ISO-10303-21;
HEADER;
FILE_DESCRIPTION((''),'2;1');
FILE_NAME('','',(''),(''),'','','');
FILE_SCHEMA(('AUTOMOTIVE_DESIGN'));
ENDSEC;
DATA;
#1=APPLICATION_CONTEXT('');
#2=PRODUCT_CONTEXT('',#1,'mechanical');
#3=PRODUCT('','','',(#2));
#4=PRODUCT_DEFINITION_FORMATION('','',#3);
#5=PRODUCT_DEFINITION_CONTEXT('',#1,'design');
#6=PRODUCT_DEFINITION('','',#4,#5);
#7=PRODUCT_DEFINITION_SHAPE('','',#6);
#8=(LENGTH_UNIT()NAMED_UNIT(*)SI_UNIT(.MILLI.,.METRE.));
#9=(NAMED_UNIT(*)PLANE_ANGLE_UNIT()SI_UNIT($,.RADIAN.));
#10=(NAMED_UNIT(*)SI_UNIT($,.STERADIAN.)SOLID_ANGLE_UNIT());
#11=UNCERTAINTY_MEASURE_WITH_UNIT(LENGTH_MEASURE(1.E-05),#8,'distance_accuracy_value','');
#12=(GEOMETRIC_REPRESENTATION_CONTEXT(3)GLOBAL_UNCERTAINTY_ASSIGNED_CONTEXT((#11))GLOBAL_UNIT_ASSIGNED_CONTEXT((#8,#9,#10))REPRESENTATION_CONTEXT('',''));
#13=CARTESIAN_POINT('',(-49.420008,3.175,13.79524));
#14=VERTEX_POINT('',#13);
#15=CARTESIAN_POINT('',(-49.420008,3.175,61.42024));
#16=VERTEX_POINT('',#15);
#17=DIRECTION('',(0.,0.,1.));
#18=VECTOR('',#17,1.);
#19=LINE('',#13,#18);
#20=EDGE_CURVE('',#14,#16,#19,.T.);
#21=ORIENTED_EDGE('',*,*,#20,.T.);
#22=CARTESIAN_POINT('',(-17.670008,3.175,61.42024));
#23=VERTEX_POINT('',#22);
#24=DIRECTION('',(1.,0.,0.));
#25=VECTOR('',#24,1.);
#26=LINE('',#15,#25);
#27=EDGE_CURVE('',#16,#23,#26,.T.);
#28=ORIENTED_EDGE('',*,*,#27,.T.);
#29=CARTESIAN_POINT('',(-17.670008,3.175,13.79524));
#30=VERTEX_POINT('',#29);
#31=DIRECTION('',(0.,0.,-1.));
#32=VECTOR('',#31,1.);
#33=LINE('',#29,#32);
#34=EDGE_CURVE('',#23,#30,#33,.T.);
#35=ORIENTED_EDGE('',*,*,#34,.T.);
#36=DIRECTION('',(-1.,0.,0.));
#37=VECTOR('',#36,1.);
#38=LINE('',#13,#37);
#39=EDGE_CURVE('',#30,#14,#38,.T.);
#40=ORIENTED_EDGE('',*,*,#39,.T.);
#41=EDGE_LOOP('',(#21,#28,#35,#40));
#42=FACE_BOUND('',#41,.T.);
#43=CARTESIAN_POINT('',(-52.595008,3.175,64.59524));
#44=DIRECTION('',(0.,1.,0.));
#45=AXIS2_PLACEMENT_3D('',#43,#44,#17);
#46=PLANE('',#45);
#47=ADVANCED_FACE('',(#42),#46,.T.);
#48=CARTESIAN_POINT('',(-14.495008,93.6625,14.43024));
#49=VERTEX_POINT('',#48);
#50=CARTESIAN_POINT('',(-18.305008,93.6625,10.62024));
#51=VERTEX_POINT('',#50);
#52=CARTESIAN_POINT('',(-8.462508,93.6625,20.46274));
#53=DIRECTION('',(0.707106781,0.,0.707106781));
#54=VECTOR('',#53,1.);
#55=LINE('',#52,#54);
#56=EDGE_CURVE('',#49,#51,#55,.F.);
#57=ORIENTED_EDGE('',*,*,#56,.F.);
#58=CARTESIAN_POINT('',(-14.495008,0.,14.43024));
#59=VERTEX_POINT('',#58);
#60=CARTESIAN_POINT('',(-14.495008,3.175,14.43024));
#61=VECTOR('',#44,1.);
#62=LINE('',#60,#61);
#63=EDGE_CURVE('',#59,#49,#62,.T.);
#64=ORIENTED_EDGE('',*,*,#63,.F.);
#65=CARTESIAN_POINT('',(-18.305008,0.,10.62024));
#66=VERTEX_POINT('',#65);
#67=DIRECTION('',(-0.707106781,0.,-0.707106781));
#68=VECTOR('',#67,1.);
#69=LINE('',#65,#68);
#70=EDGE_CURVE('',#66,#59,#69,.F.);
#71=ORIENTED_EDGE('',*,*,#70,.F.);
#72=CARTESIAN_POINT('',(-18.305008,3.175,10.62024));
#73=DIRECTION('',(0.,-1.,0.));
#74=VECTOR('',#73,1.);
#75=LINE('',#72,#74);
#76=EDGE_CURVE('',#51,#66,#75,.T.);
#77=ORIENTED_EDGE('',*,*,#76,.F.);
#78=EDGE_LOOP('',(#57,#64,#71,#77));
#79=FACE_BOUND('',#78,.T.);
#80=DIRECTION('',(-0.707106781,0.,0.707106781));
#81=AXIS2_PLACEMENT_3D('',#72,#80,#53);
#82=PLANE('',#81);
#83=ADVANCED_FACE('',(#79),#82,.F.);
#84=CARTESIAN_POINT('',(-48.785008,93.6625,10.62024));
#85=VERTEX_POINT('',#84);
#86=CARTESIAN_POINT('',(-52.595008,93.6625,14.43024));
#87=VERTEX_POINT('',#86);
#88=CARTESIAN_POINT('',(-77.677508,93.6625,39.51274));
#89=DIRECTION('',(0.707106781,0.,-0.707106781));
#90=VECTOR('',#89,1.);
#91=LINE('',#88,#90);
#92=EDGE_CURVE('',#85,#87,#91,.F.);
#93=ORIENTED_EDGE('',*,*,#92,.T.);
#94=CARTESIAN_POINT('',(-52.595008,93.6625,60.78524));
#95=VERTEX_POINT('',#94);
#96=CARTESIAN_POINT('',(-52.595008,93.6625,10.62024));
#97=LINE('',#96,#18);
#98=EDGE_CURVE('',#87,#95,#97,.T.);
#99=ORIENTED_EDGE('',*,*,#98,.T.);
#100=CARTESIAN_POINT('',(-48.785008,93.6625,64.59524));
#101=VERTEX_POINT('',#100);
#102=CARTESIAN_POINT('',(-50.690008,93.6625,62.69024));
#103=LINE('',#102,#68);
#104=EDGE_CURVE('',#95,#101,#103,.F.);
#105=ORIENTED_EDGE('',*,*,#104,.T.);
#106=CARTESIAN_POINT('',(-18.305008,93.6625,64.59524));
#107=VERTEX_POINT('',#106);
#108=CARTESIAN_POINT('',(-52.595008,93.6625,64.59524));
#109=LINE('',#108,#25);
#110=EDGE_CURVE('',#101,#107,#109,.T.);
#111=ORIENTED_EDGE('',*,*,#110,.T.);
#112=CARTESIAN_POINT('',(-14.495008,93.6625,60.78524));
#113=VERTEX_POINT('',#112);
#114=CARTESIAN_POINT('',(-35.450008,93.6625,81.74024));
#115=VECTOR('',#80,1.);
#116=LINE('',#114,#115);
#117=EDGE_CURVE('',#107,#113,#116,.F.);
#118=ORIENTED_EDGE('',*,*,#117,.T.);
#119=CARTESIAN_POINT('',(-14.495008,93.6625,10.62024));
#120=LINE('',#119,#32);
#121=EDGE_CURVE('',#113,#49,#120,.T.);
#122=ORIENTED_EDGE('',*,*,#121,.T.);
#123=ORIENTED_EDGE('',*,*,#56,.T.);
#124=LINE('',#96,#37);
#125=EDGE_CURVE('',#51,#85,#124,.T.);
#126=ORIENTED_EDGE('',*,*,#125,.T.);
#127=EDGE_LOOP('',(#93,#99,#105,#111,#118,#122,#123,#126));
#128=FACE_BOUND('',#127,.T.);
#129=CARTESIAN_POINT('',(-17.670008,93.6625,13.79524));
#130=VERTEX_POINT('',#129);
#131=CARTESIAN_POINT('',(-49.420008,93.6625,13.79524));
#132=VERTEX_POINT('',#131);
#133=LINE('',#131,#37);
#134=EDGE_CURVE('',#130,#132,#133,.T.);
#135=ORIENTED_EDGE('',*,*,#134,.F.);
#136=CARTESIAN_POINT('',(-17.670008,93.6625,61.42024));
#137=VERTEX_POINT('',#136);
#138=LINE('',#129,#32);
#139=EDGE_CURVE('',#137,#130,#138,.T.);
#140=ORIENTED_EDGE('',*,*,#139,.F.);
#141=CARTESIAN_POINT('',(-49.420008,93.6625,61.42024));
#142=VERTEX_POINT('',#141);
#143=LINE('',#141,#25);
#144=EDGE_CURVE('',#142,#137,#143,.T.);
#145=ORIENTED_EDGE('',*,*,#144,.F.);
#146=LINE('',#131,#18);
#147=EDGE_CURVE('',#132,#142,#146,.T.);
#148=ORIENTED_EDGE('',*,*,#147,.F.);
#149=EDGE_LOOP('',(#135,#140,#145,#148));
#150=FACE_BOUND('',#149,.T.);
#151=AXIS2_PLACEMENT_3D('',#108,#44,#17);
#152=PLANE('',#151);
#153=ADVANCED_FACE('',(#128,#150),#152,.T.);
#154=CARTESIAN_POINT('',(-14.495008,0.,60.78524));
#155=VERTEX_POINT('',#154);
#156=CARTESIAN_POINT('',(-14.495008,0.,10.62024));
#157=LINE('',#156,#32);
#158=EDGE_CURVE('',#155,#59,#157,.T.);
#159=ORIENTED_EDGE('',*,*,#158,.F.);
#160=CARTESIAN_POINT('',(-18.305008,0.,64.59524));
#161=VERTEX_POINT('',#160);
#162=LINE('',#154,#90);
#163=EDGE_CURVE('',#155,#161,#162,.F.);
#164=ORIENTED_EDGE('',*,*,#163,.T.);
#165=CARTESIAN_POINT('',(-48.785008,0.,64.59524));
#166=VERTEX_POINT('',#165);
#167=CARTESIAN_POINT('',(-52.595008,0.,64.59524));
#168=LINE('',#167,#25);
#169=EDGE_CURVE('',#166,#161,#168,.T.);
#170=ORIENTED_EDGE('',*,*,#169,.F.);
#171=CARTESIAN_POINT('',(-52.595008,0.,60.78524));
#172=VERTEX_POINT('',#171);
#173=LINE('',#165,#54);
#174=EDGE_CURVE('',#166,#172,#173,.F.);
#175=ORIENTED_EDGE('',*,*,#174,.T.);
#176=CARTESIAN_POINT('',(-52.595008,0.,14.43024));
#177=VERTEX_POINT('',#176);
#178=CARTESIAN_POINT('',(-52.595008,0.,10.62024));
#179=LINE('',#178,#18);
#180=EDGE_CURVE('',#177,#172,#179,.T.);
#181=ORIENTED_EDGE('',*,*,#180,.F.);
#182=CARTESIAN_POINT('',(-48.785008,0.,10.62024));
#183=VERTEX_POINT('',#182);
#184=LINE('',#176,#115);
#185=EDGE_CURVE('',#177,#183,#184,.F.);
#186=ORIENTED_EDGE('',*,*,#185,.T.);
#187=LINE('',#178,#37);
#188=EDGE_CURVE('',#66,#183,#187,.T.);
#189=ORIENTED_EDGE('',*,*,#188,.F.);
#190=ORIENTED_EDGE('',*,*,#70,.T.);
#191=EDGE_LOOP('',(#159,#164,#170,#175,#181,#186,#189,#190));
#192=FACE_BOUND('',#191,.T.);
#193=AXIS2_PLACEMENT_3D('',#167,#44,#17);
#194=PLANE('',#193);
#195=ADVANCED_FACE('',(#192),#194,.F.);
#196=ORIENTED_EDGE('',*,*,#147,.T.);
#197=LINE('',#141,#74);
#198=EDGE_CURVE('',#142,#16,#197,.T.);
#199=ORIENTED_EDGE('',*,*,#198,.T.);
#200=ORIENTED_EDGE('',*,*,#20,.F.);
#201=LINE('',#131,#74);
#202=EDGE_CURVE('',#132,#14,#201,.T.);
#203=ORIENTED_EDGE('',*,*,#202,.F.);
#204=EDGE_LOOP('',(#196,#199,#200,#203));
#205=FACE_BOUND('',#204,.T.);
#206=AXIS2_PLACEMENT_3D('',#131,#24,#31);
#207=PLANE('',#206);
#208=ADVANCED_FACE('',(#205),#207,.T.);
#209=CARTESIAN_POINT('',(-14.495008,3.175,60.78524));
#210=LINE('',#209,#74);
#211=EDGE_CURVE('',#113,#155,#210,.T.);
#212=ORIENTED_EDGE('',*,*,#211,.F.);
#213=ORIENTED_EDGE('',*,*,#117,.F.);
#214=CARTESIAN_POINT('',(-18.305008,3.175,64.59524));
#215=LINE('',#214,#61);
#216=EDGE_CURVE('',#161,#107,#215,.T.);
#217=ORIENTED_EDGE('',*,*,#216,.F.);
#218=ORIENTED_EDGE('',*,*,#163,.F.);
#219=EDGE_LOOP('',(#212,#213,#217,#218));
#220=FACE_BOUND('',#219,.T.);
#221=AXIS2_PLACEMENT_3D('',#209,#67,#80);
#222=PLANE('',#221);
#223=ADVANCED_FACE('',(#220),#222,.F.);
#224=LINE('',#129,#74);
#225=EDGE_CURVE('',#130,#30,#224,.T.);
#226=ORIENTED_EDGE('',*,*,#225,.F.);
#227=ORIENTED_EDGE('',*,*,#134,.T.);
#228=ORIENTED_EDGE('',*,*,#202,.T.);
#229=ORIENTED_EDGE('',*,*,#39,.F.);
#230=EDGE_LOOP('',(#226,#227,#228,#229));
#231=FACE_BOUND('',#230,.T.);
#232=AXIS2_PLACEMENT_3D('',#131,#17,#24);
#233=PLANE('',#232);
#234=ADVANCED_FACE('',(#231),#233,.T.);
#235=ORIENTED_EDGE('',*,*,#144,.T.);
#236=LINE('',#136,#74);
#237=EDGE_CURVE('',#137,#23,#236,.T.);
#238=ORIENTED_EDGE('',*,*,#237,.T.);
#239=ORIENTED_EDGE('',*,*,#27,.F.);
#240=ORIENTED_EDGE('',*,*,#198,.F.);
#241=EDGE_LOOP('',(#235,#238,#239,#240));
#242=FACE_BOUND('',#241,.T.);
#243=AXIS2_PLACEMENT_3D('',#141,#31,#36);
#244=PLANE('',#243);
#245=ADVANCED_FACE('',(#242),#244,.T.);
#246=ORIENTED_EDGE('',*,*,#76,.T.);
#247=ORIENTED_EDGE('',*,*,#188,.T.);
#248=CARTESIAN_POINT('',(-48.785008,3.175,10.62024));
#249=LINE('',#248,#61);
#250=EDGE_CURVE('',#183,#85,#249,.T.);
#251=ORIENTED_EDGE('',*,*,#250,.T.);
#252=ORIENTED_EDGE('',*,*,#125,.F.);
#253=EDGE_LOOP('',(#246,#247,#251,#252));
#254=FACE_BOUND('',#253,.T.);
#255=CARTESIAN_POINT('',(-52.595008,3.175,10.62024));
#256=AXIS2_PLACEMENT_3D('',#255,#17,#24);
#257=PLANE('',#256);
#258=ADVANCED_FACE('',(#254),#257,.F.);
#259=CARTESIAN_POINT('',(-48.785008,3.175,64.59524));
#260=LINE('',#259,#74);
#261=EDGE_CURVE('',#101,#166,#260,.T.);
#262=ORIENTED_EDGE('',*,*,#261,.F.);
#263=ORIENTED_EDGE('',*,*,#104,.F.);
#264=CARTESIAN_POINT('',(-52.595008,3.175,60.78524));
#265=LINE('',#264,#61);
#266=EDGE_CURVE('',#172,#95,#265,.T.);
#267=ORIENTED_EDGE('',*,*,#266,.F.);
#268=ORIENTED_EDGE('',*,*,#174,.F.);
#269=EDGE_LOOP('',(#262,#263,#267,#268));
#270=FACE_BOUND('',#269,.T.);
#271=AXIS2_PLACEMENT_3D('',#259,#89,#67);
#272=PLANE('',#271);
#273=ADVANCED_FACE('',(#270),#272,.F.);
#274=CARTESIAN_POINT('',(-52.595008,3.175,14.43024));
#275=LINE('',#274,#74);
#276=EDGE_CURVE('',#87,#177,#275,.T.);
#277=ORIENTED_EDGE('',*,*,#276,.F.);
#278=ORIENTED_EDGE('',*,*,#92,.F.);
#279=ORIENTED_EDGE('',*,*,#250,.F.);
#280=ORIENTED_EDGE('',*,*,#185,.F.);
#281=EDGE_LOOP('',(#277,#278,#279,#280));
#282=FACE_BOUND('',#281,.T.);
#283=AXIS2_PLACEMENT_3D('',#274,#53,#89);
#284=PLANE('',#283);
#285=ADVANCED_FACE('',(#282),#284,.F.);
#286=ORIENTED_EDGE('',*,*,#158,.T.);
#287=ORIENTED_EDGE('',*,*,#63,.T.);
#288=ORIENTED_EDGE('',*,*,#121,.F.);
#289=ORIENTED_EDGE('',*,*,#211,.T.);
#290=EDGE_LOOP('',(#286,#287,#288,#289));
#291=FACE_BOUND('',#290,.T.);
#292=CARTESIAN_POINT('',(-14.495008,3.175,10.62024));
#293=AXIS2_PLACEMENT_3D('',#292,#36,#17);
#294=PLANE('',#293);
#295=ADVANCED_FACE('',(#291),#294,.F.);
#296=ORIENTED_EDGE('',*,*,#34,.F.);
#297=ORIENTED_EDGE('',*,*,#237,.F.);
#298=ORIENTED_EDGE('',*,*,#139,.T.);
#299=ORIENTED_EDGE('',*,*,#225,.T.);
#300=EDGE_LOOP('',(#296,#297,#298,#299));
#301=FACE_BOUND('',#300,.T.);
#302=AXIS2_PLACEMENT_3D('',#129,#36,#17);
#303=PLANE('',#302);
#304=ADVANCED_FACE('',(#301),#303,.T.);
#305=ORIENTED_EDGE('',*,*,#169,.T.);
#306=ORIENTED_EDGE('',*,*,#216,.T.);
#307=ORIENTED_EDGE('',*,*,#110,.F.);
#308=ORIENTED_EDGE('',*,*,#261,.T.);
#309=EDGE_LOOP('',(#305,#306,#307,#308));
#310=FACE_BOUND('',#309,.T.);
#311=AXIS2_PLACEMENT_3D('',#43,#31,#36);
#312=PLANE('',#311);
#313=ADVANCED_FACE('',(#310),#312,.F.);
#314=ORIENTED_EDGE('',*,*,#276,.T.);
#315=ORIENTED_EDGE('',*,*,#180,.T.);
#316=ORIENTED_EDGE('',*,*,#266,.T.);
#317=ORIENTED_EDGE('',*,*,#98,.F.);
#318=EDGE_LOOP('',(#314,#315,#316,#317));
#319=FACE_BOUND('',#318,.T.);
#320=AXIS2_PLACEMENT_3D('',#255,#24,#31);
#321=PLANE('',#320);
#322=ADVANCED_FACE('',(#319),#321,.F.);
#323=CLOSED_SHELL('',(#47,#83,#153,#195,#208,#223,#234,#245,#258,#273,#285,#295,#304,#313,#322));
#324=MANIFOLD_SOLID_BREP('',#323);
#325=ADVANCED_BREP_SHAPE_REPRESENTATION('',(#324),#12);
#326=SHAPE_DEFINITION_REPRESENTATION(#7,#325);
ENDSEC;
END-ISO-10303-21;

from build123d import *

# Parameters (mm, degrees)
SKETCH1_W           = 38.1
SKETCH1_H           = 53.975
BOSS_EXTRUDE1_DEPTH = 3.175
SKETCH2_W           = 38.1
SKETCH2_H           = 53.975
SKETCH2_W_2         = 31.75
SKETCH2_H_2         = 47.625
BOSS_EXTRUDE2_DEPTH = 90.4875
CHAMFER1_SIZE       = 3.81


with BuildPart() as part:
    # Sketch1 → Boss-Extrude1 (new body)
    with BuildSketch(Plane(origin=(0, 0, 0), x_dir=(1, 0, 0), z_dir=(0, 1, 0))):
        with Locations((-33.545007613, -37.607739585)):
            Rectangle(SKETCH1_W, SKETCH1_H)
    extrude(amount=BOSS_EXTRUDE1_DEPTH)

    # Sketch2 → Boss-Extrude2 (add)
    with BuildSketch(Plane(origin=(0, 3.175, 0), x_dir=(1, 0, 0), z_dir=(0, 1, 0))):
        with Locations((-33.545007613, -37.607739585)):
            Rectangle(SKETCH2_W, SKETCH2_H)
        with Locations((-33.545007613, -37.607739585)):
            Rectangle(SKETCH2_W_2, SKETCH2_H_2, mode=Mode.SUBTRACT)
    extrude(amount=BOSS_EXTRUDE2_DEPTH)

    # Chamfer1
    chamfer1_edges = [part.edges().sort_by_distance(p)[0] for p in [
        (-52.595007613, 46.83125, 10.620239585),
        (-14.495007613, 46.83125, 10.620239585),
        (-14.495007613, 46.83125, 64.595239585),
        (-52.595007613, 46.83125, 64.595239585),
    ]]
    chamfer(chamfer1_edges, length=CHAMFER1_SIZE)


solid = part.part
